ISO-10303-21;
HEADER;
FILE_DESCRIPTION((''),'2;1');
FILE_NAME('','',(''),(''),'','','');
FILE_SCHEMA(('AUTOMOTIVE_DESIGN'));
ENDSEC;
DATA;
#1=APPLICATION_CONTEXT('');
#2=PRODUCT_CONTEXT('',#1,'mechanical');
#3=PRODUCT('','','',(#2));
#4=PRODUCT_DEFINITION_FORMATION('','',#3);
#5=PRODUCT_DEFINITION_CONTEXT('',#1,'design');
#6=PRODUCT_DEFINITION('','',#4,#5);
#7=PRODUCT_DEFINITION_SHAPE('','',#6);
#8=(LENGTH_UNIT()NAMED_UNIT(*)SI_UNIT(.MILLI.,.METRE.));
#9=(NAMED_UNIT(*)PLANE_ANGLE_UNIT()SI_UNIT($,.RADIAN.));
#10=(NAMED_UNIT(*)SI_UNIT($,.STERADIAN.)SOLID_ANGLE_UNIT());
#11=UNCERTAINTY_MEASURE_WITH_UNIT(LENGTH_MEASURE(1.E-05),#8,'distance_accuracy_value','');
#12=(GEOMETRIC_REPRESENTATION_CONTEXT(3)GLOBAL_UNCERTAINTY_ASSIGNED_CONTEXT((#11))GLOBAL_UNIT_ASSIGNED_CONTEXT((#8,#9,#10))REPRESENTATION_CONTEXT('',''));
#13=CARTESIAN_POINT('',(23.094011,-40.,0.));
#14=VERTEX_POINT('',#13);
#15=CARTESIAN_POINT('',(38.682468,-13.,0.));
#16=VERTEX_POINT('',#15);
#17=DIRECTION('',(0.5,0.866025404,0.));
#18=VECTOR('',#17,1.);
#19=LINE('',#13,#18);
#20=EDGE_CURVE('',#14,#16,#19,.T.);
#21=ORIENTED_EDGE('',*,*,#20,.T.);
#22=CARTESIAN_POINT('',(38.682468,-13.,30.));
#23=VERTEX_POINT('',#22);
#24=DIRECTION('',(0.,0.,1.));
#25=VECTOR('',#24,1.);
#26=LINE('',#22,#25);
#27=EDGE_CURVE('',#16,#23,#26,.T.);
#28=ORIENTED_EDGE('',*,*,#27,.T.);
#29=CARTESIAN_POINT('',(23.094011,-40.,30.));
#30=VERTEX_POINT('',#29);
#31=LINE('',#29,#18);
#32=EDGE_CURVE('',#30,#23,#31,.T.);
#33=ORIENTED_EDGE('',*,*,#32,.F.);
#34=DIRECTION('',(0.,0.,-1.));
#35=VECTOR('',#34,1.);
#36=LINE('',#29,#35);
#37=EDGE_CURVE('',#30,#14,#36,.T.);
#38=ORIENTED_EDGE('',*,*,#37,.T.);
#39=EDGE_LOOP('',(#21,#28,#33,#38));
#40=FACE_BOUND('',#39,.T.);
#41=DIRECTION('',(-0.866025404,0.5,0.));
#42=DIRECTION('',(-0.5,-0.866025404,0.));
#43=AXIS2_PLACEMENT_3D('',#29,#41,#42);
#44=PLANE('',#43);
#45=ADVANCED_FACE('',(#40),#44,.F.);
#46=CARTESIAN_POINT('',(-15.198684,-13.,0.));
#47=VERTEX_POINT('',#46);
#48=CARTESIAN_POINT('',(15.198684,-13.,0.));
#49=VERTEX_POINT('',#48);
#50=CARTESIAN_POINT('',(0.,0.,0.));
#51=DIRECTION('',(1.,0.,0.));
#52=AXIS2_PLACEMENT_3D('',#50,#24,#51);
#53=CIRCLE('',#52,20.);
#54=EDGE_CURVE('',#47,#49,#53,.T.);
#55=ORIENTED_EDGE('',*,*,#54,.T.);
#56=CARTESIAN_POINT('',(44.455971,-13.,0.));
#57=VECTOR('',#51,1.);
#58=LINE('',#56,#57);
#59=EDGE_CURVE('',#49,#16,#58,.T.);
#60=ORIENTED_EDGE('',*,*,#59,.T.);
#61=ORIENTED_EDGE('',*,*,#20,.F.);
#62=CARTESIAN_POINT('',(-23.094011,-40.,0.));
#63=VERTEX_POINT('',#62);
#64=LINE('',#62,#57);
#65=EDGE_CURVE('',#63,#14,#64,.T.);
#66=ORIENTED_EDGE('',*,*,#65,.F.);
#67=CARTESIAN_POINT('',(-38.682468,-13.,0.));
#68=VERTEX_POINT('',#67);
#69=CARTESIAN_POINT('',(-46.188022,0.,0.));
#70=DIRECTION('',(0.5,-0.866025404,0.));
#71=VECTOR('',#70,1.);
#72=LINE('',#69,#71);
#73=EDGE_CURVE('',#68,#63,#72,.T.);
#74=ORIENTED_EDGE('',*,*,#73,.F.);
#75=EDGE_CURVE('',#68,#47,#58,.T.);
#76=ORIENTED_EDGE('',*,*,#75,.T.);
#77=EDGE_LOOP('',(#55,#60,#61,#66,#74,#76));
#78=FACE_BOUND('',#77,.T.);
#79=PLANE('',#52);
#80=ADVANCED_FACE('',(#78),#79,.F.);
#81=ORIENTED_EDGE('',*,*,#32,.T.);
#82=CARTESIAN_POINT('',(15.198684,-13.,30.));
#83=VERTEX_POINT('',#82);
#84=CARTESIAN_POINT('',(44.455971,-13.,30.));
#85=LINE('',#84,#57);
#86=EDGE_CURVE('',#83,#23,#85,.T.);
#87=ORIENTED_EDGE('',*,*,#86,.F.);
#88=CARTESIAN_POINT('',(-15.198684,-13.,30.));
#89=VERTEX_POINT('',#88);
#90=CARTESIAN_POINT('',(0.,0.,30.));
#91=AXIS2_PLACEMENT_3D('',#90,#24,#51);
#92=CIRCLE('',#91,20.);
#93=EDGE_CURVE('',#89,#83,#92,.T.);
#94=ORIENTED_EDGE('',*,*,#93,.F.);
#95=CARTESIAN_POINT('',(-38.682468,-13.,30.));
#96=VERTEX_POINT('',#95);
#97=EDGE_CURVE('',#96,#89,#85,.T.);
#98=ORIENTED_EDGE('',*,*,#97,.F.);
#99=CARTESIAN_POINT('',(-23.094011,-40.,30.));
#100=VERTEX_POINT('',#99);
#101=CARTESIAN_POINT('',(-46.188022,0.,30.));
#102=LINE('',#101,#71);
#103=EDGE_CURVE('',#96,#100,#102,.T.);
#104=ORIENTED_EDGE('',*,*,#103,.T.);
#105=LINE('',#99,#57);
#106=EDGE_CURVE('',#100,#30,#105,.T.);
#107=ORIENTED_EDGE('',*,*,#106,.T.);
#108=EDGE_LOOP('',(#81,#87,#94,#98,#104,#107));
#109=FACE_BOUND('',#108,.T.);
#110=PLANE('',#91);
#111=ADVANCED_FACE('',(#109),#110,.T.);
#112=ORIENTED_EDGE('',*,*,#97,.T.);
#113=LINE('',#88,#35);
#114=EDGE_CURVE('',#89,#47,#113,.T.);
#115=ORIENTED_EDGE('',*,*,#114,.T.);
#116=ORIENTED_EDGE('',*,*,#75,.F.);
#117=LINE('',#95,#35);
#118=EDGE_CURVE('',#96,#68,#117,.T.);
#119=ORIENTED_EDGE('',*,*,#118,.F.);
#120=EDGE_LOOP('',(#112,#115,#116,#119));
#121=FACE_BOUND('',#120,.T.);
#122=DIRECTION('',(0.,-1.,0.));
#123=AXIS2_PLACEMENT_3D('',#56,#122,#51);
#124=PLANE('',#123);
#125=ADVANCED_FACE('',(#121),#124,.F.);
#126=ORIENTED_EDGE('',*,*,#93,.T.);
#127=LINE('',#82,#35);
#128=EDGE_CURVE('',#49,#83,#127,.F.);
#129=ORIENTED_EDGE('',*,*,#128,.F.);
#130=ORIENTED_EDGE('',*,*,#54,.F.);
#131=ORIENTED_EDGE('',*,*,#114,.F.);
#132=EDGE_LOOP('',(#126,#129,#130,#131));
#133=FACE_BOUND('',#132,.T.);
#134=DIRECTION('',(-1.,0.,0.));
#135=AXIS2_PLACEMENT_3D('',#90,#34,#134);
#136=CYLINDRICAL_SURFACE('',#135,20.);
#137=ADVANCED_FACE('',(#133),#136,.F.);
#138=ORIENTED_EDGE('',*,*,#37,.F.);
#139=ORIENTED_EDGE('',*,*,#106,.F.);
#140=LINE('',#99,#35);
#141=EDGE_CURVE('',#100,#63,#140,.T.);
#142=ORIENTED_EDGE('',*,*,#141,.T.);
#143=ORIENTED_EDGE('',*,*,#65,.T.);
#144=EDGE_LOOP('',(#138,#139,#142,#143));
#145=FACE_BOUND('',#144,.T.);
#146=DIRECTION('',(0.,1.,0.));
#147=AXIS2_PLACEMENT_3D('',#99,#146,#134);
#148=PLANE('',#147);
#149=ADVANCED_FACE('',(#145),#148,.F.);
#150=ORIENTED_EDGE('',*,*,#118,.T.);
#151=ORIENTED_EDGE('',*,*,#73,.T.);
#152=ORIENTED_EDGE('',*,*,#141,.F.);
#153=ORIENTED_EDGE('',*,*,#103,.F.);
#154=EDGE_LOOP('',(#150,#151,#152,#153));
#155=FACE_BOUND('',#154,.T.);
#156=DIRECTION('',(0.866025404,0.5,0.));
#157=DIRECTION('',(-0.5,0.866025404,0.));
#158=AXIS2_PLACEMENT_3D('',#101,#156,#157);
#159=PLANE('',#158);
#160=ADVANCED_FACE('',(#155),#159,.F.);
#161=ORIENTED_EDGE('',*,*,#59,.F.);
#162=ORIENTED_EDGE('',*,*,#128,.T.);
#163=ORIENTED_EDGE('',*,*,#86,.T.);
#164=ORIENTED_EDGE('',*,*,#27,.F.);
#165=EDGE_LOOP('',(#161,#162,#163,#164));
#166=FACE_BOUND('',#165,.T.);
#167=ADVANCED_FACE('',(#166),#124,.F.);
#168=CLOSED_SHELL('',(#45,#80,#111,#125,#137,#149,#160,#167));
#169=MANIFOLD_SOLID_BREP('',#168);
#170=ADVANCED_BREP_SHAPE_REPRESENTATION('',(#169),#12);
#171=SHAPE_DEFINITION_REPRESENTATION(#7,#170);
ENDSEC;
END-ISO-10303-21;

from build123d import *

# Parameters (mm, degrees)
SKETCH_1_R          = 20
EXTRUDE_1_DEPTH     = 30
SKETCH_2_W          = 102.73425285
SKETCH_2_H          = 41.168069265
CUT_EXTRUDE_1_DEPTH = 89
SKETCH_3_W          = 92.921845771
SKETCH_3_H          = 3
CUT_EXTRUDE_2_DEPTH = 89
SKETCH_5_W          = 89.254796613
SKETCH_5_H          = 10
CUT_EXTRUDE_3_DEPTH = 31


with BuildPart() as part:
    # 스케치1 → 보스-돌출1 (new body)
    with BuildSketch(Plane.XY):
        Polygon((46.188021535, 0), (23.094010768, 40), (-23.094010768, 40), (-46.188021535, 0), (-23.094010768, -40), (23.094010768, -40), align=None)
        Circle(SKETCH_1_R, mode=Mode.SUBTRACT)
    extrude(amount=EXTRUDE_1_DEPTH)

    # 스케치2 → 컷-돌출1 (cut)
    with BuildSketch(Plane.XY):
        with Locations((0.690561162, 20.584034632)):
            Rectangle(SKETCH_2_W, SKETCH_2_H)
    extrude(amount=CUT_EXTRUDE_1_DEPTH, mode=Mode.SUBTRACT)

    # 스케치3 → 컷-돌출2 (cut)
    with BuildSketch(Plane.XY.offset(30)):
        with Locations((-0.27290135, -1.5)):
            Rectangle(SKETCH_3_W, SKETCH_3_H)
    extrude(amount=-CUT_EXTRUDE_2_DEPTH, mode=Mode.SUBTRACT)

    # 스케치5 → 컷-돌출3 (cut, through all)
    with BuildSketch(Plane.XY.offset(30)):
        with Locations((-0.171427578, -8)):
            Rectangle(SKETCH_5_W, SKETCH_5_H)
    extrude(amount=-CUT_EXTRUDE_3_DEPTH, mode=Mode.SUBTRACT)


solid = part.part
